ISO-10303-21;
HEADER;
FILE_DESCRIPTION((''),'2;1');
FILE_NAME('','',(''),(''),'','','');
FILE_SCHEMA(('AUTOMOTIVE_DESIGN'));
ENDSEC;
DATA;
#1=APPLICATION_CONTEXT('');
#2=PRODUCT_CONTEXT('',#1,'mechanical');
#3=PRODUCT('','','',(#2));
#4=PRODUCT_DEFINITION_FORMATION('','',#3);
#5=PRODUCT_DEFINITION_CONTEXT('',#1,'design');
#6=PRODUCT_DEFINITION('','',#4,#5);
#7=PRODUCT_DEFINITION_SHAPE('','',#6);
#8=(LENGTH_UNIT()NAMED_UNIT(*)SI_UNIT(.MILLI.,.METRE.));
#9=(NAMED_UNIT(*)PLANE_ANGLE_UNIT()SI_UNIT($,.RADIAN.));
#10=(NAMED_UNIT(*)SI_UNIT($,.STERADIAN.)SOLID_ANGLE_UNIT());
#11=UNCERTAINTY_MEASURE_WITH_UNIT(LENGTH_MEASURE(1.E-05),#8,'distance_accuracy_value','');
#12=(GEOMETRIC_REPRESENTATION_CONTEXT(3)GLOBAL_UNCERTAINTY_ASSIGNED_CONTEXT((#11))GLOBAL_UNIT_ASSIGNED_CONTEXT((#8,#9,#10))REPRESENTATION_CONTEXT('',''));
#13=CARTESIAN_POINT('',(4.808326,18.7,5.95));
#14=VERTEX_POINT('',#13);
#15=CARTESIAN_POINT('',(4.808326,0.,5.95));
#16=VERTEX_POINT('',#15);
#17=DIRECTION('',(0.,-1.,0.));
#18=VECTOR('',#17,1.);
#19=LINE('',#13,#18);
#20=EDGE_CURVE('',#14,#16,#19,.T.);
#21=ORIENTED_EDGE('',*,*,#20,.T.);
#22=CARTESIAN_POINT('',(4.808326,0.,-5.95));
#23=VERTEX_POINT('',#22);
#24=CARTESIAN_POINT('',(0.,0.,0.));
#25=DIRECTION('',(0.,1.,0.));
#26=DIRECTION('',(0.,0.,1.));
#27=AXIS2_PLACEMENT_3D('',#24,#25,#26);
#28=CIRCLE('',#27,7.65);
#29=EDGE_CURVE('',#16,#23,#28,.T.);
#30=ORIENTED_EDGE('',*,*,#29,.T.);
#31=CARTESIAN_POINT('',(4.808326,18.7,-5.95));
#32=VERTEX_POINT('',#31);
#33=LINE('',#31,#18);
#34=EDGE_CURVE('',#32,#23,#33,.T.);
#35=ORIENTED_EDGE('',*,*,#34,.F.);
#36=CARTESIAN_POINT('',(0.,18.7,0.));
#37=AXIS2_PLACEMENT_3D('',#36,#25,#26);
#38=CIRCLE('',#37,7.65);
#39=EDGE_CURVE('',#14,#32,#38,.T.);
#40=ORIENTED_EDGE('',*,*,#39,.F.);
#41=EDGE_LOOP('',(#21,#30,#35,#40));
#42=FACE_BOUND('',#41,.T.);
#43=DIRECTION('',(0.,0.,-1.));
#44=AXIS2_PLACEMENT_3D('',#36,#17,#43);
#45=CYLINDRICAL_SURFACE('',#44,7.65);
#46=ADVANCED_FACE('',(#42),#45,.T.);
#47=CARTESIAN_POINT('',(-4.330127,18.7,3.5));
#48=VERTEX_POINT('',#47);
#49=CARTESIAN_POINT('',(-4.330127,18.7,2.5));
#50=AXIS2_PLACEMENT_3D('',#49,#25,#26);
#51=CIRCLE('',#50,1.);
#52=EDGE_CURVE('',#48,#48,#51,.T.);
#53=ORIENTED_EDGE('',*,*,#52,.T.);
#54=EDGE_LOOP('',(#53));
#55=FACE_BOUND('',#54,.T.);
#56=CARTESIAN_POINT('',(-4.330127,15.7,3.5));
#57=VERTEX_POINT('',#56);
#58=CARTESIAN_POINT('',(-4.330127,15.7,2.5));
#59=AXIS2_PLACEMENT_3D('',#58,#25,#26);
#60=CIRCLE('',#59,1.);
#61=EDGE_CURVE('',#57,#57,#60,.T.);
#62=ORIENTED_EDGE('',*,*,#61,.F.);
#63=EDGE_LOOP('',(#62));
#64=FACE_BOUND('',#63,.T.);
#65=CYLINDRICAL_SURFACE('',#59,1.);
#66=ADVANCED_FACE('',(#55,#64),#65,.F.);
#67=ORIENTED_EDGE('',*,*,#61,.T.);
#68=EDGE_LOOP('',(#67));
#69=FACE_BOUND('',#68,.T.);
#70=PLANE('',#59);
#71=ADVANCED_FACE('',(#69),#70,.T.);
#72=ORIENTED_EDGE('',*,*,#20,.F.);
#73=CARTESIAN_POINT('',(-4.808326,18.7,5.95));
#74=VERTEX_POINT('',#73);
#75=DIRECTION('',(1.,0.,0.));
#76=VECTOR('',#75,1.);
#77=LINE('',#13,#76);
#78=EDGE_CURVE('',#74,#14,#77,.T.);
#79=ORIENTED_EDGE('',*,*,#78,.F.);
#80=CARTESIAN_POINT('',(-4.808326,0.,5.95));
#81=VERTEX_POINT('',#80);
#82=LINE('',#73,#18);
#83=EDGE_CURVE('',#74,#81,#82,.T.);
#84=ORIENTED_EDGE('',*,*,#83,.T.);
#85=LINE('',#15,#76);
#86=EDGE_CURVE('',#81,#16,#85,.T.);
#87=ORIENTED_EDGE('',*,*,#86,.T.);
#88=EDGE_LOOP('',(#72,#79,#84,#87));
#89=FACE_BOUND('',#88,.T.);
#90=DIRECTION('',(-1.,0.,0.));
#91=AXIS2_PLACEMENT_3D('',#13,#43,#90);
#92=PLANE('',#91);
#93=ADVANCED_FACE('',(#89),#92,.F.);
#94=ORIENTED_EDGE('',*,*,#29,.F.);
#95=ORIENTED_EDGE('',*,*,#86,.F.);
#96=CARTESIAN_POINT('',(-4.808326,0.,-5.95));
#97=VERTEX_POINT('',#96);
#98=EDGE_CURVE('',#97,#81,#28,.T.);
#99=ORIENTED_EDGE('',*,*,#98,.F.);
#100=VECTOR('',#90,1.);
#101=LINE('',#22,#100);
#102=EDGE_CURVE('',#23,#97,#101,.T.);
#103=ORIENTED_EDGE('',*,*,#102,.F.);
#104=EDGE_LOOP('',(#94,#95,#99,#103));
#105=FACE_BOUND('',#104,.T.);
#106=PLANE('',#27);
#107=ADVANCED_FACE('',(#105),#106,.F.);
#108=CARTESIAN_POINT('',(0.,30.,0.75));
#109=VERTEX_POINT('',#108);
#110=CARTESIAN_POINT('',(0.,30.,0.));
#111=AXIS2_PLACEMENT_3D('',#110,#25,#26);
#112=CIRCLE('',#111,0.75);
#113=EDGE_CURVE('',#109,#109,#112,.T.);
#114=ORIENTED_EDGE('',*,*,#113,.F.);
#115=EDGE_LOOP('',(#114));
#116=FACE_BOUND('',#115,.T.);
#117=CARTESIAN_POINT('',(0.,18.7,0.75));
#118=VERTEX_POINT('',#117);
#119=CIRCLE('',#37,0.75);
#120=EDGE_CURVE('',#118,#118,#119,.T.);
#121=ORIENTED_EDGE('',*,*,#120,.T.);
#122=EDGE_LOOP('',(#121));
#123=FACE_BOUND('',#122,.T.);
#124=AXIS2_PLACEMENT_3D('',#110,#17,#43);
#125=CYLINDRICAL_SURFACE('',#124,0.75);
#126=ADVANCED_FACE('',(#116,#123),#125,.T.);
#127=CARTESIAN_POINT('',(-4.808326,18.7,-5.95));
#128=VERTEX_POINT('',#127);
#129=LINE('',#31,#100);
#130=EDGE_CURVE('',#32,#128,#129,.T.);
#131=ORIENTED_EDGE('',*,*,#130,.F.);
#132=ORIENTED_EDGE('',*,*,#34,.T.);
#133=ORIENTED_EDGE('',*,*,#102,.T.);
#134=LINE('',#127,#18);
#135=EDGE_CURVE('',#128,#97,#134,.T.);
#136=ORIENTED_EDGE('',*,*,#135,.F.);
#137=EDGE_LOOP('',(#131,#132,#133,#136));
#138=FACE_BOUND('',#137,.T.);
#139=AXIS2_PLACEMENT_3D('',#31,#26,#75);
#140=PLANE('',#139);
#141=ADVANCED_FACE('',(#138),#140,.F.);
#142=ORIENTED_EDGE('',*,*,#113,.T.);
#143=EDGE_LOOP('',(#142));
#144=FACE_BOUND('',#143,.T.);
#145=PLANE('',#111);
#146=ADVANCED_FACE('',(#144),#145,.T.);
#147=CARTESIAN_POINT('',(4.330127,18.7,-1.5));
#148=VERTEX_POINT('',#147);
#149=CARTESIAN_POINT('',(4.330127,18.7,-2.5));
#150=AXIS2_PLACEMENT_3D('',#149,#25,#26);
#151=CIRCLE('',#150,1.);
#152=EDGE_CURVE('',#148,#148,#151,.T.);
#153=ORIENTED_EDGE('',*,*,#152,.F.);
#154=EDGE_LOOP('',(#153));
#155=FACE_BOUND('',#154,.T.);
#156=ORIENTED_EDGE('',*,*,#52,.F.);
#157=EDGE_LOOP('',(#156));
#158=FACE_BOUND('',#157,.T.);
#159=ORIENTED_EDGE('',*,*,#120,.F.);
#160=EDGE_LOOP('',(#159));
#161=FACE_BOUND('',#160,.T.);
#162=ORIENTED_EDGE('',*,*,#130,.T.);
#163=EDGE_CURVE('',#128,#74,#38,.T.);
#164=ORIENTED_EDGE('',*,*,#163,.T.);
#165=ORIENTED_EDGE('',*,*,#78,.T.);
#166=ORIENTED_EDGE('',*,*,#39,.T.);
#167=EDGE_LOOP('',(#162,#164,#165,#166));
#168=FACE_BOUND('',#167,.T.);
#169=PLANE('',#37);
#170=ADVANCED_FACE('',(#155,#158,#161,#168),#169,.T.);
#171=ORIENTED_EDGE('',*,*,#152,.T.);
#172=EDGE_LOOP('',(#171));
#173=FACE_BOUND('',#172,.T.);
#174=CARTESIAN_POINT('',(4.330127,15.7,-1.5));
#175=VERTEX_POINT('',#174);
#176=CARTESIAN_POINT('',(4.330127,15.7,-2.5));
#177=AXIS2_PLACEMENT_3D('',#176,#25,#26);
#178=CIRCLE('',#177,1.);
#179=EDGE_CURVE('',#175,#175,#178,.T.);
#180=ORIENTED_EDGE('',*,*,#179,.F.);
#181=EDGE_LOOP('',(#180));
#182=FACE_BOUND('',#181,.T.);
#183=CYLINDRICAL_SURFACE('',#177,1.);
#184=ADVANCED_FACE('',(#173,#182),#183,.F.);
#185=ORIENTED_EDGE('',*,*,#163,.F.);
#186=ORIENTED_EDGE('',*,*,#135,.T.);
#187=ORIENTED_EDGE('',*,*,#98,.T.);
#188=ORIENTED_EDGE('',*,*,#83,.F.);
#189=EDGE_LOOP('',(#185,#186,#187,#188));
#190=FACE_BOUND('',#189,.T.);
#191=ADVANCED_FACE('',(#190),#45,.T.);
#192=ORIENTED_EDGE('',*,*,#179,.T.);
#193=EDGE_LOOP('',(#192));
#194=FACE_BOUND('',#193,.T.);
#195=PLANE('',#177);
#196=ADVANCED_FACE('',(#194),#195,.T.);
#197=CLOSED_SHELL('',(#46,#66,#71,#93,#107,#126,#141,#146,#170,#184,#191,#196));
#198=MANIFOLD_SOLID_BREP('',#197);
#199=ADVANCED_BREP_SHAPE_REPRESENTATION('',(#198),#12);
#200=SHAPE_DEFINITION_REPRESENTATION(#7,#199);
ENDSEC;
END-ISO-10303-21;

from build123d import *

# Parameters (mm, degrees)
EXTRUDE_1_DEPTH     = 18.7
SKETCH_2_R          = 0.75
EXTRUDE_2_DEPTH     = 11.3
SKETCH_3_R          = 1
CUT_EXTRUDE_1_DEPTH = 3


with BuildPart() as part:
    # 草图1 → 凸台-拉伸1 (new body)
    with BuildSketch(Plane(origin=(0, 0, 0), x_dir=(1, 0, 0), z_dir=(0, 1, 0))):
        with BuildLine():
            Line((4.808326112, 5.95), (-4.808326112, 5.95))
            ThreePointArc((-4.808326112, 5.95), (-7.65, 0), (-4.808326112, -5.95))
            Line((-4.808326112, -5.95), (4.808326112, -5.95))
            ThreePointArc((4.808326112, -5.95), (7.65, 0), (4.808326112, 5.95))
        make_face()
    extrude(amount=EXTRUDE_1_DEPTH)

    # 草图2 → 凸台-拉伸2 (add)
    with BuildSketch(Plane(origin=(0, 18.7, 0), x_dir=(1, 0, 0), z_dir=(0, 1, 0))):
        with Locations(Location((0, 0, 0), (0, 0, 270))):
            Circle(SKETCH_2_R)
    extrude(amount=EXTRUDE_2_DEPTH)

    # 草图3 → 切除-拉伸1 (cut)
    with BuildSketch(Plane(origin=(0, 18.7, 0), x_dir=(1, 0, 0), z_dir=(0, 1, 0))):
        with Locations(Location((4.330127019, 2.5, 0), (0, 0, 270))):
            Circle(SKETCH_3_R)
        with Locations(Location((-4.330127019, -2.5, 0), (0, 0, 270))):
            Circle(SKETCH_3_R)
    extrude(amount=-CUT_EXTRUDE_1_DEPTH, mode=Mode.SUBTRACT)


solid = part.part
